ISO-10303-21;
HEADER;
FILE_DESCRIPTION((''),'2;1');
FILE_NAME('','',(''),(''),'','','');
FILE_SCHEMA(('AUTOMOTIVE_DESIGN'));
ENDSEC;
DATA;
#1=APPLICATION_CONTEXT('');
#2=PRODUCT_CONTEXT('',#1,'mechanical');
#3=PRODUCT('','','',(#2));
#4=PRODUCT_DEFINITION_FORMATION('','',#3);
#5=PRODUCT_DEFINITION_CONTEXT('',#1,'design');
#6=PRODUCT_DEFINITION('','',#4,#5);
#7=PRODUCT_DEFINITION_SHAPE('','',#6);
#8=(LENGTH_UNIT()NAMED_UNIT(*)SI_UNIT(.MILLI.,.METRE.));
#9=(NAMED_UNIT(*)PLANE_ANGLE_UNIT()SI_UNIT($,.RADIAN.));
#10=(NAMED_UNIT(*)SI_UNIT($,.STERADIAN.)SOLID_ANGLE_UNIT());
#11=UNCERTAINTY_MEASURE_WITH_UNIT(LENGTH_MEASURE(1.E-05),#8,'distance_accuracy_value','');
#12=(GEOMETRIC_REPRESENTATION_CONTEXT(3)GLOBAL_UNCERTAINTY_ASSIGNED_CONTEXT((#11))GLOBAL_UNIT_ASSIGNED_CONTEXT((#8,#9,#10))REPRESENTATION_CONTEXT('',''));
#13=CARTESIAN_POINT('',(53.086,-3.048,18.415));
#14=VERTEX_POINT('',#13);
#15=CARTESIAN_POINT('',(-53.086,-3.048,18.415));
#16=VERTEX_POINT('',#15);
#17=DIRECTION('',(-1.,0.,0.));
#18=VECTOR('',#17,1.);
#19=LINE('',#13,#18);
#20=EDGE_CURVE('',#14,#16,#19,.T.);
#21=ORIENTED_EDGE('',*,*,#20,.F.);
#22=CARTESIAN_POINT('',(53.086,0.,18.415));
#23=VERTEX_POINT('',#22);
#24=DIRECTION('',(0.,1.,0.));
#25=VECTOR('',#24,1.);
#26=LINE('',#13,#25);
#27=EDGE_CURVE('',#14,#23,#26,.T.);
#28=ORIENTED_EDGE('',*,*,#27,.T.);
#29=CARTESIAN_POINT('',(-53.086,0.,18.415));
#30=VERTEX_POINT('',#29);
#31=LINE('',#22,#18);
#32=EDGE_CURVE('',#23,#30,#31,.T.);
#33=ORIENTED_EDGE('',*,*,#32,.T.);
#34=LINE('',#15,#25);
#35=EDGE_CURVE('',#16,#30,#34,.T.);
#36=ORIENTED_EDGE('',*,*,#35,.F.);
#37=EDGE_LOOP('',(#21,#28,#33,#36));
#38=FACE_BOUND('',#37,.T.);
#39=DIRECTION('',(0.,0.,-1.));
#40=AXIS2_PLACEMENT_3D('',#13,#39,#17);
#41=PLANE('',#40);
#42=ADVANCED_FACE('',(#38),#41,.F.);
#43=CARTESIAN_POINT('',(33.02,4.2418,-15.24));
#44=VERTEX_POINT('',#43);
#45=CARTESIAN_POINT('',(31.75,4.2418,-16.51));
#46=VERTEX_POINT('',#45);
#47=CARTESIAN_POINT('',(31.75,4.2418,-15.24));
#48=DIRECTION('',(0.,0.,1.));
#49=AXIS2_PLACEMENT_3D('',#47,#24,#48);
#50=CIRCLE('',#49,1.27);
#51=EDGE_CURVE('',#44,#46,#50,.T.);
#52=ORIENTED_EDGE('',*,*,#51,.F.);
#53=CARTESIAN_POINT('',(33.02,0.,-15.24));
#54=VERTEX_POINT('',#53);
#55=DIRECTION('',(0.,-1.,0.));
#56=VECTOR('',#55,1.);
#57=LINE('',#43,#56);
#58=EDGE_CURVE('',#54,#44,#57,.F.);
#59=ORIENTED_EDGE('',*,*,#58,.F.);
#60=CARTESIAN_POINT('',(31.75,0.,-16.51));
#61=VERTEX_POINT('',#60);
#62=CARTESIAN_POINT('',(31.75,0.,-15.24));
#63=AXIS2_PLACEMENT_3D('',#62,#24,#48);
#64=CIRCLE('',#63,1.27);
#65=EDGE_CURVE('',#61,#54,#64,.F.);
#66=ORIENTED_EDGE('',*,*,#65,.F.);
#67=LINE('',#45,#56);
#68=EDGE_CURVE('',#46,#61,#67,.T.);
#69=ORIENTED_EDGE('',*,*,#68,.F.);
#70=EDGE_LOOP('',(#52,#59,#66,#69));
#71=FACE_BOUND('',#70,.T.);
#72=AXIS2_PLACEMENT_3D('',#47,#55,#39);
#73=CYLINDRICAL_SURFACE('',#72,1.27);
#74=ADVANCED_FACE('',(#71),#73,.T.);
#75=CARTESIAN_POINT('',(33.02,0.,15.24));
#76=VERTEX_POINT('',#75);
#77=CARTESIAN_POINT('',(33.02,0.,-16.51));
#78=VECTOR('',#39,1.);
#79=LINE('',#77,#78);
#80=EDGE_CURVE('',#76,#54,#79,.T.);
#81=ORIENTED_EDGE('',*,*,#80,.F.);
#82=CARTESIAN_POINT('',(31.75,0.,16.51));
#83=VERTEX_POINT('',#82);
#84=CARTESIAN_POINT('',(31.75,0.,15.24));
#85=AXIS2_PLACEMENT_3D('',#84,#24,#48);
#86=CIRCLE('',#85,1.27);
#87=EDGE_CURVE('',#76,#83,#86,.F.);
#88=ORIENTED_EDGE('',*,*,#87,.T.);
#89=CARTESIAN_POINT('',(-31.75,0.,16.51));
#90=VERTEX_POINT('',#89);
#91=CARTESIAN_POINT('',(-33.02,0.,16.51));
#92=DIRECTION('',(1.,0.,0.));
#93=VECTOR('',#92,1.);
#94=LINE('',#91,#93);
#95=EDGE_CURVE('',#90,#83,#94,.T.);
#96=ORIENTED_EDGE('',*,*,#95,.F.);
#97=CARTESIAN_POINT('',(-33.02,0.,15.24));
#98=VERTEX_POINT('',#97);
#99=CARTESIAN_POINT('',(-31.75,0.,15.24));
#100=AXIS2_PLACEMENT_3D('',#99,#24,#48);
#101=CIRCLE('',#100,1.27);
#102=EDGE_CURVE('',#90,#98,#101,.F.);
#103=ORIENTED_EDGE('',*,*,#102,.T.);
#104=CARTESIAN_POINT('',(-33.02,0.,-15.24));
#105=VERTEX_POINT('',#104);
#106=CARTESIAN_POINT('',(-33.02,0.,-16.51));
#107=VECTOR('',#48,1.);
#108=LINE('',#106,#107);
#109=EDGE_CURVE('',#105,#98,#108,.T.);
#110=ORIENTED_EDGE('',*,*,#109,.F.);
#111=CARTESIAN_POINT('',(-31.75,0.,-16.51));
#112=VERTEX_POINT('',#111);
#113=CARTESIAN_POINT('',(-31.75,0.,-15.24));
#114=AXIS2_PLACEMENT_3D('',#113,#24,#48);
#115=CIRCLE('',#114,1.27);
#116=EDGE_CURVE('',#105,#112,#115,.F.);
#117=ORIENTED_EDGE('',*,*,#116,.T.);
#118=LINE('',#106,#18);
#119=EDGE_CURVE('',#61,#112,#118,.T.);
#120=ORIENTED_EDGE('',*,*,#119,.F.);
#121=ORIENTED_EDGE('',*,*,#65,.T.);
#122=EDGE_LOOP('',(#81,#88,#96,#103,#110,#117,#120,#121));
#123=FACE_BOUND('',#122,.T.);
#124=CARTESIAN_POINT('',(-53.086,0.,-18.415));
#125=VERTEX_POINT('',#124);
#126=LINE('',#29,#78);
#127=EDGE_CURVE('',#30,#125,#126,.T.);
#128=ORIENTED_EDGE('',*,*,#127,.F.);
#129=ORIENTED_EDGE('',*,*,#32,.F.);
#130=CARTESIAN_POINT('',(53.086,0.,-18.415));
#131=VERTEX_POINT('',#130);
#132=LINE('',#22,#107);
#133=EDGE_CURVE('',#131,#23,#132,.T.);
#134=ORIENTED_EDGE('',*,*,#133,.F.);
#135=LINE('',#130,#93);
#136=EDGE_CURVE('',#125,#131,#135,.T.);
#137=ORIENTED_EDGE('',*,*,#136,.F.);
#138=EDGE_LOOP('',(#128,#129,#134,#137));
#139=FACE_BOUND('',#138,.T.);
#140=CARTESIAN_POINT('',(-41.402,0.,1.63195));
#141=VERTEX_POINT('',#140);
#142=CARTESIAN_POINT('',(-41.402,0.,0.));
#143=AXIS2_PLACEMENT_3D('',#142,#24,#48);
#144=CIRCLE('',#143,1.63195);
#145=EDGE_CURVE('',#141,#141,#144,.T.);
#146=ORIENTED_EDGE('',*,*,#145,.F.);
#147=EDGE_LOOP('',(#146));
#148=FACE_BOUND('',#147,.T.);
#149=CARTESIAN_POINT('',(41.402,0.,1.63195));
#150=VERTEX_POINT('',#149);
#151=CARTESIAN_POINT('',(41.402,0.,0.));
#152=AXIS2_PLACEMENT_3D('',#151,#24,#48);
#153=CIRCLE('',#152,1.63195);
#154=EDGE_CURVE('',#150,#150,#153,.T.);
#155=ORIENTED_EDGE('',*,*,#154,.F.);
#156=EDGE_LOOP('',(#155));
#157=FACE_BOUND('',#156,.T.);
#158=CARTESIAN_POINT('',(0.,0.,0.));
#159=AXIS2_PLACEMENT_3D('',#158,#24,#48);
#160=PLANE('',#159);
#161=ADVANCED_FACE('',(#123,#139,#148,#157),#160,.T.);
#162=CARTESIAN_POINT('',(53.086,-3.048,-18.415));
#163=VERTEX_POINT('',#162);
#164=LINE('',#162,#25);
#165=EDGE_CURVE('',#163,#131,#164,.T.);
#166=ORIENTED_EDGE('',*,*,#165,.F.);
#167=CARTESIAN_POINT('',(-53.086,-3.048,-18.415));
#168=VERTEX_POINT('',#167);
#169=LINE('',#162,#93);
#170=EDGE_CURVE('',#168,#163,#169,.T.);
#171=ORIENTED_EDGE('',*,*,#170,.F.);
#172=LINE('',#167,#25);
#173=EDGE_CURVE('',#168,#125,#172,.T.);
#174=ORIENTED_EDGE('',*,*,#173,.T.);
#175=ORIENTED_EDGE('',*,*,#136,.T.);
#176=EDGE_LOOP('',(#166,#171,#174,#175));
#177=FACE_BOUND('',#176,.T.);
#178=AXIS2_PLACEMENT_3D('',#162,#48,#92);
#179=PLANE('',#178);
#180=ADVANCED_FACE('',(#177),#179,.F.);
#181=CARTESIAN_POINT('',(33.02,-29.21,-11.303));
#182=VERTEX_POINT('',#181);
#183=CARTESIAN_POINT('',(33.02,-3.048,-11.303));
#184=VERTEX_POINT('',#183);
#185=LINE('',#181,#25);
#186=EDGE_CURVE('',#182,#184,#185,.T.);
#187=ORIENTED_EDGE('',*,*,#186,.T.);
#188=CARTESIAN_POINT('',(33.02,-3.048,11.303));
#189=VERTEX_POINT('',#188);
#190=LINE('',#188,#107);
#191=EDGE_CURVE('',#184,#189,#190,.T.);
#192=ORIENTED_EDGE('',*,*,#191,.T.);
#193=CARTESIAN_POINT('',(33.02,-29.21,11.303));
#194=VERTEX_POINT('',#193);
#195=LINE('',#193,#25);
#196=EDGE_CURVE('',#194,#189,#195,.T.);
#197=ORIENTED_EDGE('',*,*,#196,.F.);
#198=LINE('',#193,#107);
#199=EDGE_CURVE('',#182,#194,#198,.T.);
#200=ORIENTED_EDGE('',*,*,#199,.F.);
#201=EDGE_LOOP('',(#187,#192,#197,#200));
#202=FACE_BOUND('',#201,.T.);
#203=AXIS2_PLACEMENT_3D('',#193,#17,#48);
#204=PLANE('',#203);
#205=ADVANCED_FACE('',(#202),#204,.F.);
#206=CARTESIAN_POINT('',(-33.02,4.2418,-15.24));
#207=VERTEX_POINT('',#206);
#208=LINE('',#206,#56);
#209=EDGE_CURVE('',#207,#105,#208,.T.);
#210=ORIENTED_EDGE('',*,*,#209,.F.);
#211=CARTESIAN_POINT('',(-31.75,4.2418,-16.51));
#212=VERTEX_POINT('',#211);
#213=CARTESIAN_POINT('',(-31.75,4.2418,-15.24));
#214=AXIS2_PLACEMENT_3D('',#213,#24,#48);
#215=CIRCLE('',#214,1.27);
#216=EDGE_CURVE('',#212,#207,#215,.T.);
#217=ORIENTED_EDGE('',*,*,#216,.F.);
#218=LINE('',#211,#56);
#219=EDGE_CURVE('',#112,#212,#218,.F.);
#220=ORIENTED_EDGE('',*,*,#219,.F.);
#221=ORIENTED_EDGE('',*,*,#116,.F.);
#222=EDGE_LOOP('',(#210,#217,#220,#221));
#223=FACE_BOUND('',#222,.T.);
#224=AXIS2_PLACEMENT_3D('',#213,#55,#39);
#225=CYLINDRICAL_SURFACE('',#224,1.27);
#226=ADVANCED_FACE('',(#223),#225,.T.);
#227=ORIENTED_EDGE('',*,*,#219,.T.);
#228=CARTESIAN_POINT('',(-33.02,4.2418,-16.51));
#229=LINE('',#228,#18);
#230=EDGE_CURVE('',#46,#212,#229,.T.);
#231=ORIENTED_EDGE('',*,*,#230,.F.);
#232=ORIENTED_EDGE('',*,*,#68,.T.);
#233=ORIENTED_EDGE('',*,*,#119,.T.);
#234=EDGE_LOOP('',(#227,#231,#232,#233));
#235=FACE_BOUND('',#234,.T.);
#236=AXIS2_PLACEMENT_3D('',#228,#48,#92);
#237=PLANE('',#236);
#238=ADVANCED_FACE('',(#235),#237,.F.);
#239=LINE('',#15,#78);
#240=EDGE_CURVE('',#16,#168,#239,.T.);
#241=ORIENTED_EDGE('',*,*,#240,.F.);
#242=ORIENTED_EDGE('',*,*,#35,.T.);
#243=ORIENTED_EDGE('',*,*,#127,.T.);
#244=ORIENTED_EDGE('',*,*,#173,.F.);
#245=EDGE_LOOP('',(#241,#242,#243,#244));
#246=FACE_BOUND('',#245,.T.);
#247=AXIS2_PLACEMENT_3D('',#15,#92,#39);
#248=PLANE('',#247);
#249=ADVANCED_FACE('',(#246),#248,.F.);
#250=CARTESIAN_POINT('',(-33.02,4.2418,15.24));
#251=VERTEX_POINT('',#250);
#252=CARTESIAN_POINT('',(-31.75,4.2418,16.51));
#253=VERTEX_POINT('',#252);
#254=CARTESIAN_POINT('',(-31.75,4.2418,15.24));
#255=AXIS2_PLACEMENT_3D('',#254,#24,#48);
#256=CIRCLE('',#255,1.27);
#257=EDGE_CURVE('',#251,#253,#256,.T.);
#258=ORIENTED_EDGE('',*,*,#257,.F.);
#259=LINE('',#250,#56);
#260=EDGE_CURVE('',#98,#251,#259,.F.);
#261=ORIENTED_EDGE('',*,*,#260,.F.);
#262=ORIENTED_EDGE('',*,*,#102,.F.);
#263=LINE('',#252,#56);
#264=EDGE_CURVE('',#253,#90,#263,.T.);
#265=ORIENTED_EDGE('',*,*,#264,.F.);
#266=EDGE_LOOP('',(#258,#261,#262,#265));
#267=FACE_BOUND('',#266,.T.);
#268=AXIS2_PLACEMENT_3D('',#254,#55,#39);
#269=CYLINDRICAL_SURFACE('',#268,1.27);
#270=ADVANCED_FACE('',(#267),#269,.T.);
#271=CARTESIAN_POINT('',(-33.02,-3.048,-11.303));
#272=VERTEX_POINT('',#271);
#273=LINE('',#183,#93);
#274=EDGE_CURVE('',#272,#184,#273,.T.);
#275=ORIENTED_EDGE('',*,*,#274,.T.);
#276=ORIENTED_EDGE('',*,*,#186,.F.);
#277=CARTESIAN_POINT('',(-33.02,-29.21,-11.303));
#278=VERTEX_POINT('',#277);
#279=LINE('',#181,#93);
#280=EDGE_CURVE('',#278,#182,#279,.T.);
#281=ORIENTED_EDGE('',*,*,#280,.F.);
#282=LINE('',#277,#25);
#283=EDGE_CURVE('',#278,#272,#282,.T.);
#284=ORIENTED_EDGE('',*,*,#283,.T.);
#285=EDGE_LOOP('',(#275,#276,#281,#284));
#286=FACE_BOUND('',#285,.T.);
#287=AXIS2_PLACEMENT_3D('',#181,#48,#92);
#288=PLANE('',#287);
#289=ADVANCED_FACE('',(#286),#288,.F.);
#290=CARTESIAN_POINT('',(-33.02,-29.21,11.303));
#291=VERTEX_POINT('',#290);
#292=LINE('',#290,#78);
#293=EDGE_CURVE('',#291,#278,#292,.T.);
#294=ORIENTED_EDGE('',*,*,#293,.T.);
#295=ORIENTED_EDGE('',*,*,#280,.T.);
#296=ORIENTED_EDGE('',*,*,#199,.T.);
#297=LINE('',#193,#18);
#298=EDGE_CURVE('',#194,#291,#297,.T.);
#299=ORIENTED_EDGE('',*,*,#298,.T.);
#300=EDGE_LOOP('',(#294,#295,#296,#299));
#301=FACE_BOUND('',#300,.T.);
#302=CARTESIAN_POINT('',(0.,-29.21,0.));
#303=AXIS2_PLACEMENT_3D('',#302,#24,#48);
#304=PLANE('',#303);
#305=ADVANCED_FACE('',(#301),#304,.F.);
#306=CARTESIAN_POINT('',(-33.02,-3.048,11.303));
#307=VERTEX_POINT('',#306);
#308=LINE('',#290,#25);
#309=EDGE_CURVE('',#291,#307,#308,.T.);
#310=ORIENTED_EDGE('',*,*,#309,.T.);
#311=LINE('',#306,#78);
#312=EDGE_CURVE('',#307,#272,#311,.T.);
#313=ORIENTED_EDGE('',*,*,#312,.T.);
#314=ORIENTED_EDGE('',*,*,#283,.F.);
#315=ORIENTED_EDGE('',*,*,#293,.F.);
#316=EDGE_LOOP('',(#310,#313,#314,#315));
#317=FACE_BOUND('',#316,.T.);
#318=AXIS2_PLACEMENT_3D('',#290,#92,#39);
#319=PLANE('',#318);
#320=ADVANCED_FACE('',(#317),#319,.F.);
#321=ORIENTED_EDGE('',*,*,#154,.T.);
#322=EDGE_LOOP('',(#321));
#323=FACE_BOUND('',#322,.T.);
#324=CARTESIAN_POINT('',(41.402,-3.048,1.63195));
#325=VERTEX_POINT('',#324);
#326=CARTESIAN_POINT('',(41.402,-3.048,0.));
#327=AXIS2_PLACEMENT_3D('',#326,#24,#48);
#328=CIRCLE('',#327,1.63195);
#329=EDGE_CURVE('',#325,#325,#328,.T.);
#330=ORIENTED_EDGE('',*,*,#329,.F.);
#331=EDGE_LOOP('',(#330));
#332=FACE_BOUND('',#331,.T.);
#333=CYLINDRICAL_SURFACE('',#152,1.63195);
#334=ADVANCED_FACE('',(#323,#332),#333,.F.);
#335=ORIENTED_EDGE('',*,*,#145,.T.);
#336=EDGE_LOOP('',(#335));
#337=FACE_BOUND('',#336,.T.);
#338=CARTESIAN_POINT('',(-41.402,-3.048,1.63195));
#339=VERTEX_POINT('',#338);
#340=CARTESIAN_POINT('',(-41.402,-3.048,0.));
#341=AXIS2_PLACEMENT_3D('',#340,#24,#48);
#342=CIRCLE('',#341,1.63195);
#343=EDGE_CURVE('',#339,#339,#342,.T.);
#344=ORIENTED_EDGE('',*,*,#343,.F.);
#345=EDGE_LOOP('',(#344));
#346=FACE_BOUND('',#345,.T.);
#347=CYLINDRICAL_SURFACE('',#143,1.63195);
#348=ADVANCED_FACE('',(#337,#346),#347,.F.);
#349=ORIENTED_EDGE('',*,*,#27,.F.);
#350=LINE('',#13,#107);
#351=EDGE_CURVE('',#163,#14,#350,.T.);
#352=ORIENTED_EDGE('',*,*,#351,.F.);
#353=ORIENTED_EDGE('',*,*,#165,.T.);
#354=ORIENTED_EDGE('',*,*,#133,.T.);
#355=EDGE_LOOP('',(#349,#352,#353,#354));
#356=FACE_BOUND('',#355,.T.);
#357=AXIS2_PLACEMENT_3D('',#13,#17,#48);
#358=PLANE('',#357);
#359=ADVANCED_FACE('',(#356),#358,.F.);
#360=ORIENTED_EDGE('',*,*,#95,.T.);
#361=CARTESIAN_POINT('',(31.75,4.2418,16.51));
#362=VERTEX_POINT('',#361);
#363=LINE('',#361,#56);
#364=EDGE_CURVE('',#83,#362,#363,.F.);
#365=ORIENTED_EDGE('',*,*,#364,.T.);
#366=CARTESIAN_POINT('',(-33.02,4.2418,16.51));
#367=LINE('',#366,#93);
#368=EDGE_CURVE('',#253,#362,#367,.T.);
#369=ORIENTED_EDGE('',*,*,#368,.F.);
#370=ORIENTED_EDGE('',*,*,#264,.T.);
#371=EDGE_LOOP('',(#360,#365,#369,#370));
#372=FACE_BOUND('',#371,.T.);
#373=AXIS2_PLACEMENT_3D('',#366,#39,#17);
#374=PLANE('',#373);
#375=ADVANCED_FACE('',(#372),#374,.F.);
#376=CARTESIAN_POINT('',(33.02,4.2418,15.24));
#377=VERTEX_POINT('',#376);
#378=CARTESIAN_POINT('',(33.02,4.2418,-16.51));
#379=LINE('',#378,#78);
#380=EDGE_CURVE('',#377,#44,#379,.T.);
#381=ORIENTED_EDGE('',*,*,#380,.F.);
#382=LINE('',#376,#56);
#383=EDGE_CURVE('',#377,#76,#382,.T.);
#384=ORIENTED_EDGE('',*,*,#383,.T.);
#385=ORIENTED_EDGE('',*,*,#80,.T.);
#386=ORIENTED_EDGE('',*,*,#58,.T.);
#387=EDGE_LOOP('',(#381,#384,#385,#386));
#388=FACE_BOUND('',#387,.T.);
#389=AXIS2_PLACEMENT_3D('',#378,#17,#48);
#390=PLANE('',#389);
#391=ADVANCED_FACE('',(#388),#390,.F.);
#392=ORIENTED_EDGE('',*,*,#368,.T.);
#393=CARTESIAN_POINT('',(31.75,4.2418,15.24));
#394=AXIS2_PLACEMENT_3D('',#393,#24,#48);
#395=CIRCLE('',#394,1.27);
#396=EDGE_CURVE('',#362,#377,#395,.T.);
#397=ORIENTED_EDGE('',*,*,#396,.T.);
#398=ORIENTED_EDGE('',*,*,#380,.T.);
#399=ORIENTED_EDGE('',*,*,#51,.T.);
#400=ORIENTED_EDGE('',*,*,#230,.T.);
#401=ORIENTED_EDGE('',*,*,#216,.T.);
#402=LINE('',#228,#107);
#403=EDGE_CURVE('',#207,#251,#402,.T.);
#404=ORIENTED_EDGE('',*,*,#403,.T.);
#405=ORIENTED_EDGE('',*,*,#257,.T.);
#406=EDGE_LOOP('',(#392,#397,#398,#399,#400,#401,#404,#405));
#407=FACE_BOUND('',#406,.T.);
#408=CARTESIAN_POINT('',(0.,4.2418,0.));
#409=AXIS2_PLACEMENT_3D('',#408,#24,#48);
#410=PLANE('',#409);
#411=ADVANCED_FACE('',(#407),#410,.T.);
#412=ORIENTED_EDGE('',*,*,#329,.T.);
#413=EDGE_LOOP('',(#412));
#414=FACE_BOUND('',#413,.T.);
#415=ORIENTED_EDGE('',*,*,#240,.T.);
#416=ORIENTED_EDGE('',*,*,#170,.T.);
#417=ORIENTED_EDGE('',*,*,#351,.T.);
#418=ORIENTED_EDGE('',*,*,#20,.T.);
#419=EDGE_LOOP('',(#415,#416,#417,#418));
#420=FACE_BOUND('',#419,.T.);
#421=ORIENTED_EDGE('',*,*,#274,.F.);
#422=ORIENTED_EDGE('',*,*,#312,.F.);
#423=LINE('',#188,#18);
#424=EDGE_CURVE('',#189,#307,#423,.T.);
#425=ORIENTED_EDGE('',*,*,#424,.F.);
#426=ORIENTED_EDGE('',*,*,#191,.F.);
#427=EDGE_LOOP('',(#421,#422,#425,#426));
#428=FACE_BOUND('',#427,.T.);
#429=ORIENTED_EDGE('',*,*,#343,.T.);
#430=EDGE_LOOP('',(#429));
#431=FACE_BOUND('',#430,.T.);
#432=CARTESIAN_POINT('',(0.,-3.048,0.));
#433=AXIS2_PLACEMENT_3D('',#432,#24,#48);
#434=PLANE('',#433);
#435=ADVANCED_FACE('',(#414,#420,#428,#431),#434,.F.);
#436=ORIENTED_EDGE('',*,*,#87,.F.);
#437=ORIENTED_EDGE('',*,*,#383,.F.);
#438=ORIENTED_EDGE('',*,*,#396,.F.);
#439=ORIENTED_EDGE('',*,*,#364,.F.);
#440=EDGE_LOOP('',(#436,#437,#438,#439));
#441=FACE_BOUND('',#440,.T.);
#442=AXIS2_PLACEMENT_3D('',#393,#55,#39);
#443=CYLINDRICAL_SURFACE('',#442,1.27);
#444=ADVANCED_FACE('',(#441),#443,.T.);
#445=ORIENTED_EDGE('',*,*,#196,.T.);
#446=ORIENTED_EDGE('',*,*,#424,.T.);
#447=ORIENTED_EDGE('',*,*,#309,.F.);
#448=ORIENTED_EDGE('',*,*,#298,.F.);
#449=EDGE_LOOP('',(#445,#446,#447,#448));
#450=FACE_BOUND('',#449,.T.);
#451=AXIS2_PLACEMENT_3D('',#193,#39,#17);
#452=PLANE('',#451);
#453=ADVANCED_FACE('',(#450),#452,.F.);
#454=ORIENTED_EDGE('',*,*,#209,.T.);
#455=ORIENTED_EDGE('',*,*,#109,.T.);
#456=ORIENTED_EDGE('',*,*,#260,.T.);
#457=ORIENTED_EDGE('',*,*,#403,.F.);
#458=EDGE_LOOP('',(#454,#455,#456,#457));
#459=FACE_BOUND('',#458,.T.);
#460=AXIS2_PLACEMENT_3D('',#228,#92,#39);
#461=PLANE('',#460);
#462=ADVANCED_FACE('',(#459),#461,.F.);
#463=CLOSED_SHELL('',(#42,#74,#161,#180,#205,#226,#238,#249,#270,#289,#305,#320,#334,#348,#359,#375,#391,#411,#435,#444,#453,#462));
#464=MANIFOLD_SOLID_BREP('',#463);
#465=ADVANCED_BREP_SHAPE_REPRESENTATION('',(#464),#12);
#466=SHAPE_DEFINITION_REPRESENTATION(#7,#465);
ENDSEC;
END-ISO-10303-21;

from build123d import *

# Parameters (mm, degrees)
SKETCH1_W             = 66.04
SKETCH1_H             = 33.02
BOSS_EXTRUDE1_DEPTH   = 4.2418
FILLET1_R             = 1.27
SKETCH2_W             = 106.172
SKETCH2_H             = 36.83
BOSS_EXTRUDE2_DEPTH   = 3.048
F_4_CLEARANCE_HOLE1_D = 3.2639
SKETCH6_W             = 66.04
SKETCH6_H             = 22.606
BOSS_EXTRUDE3_DEPTH   = 26.162


with BuildPart() as part:
    # Sketch1 → Boss-Extrude1 (new body)
    with BuildSketch(Plane(origin=(0, 0, 0), x_dir=(1, 0, 0), z_dir=(0, 1, 0))):
        Rectangle(SKETCH1_W, SKETCH1_H)
    extrude(amount=BOSS_EXTRUDE1_DEPTH)

    # Fillet1
    fillet1_edges = [part.edges().sort_by_distance(p)[0] for p in [
        (33.02, 2.1209, 16.51),
        (-33.02, 2.1209, 16.51),
        (-33.02, 2.1209, -16.51),
        (33.02, 2.1209, -16.51),
    ]]
    fillet(fillet1_edges, radius=FILLET1_R)

    # Sketch2 → Boss-Extrude2 (add)
    with BuildSketch(Plane.XZ):
        Rectangle(SKETCH2_W, SKETCH2_H)
    extrude(amount=BOSS_EXTRUDE2_DEPTH)

    # #4 Clearance Hole1 (through all)
    with Locations(Plane(origin=(0, 0, 0), x_dir=(1, 0, 0), z_dir=(0, 1, 0))):
        with Locations((-41.402, 0), (41.402, 0)):
            Hole(F_4_CLEARANCE_HOLE1_D / 2)

    # Sketch6 → Boss-Extrude3 (add)
    with BuildSketch(Plane.XZ.offset(3.048)):
        Rectangle(SKETCH6_W, SKETCH6_H)
    extrude(amount=BOSS_EXTRUDE3_DEPTH)


solid = part.part
